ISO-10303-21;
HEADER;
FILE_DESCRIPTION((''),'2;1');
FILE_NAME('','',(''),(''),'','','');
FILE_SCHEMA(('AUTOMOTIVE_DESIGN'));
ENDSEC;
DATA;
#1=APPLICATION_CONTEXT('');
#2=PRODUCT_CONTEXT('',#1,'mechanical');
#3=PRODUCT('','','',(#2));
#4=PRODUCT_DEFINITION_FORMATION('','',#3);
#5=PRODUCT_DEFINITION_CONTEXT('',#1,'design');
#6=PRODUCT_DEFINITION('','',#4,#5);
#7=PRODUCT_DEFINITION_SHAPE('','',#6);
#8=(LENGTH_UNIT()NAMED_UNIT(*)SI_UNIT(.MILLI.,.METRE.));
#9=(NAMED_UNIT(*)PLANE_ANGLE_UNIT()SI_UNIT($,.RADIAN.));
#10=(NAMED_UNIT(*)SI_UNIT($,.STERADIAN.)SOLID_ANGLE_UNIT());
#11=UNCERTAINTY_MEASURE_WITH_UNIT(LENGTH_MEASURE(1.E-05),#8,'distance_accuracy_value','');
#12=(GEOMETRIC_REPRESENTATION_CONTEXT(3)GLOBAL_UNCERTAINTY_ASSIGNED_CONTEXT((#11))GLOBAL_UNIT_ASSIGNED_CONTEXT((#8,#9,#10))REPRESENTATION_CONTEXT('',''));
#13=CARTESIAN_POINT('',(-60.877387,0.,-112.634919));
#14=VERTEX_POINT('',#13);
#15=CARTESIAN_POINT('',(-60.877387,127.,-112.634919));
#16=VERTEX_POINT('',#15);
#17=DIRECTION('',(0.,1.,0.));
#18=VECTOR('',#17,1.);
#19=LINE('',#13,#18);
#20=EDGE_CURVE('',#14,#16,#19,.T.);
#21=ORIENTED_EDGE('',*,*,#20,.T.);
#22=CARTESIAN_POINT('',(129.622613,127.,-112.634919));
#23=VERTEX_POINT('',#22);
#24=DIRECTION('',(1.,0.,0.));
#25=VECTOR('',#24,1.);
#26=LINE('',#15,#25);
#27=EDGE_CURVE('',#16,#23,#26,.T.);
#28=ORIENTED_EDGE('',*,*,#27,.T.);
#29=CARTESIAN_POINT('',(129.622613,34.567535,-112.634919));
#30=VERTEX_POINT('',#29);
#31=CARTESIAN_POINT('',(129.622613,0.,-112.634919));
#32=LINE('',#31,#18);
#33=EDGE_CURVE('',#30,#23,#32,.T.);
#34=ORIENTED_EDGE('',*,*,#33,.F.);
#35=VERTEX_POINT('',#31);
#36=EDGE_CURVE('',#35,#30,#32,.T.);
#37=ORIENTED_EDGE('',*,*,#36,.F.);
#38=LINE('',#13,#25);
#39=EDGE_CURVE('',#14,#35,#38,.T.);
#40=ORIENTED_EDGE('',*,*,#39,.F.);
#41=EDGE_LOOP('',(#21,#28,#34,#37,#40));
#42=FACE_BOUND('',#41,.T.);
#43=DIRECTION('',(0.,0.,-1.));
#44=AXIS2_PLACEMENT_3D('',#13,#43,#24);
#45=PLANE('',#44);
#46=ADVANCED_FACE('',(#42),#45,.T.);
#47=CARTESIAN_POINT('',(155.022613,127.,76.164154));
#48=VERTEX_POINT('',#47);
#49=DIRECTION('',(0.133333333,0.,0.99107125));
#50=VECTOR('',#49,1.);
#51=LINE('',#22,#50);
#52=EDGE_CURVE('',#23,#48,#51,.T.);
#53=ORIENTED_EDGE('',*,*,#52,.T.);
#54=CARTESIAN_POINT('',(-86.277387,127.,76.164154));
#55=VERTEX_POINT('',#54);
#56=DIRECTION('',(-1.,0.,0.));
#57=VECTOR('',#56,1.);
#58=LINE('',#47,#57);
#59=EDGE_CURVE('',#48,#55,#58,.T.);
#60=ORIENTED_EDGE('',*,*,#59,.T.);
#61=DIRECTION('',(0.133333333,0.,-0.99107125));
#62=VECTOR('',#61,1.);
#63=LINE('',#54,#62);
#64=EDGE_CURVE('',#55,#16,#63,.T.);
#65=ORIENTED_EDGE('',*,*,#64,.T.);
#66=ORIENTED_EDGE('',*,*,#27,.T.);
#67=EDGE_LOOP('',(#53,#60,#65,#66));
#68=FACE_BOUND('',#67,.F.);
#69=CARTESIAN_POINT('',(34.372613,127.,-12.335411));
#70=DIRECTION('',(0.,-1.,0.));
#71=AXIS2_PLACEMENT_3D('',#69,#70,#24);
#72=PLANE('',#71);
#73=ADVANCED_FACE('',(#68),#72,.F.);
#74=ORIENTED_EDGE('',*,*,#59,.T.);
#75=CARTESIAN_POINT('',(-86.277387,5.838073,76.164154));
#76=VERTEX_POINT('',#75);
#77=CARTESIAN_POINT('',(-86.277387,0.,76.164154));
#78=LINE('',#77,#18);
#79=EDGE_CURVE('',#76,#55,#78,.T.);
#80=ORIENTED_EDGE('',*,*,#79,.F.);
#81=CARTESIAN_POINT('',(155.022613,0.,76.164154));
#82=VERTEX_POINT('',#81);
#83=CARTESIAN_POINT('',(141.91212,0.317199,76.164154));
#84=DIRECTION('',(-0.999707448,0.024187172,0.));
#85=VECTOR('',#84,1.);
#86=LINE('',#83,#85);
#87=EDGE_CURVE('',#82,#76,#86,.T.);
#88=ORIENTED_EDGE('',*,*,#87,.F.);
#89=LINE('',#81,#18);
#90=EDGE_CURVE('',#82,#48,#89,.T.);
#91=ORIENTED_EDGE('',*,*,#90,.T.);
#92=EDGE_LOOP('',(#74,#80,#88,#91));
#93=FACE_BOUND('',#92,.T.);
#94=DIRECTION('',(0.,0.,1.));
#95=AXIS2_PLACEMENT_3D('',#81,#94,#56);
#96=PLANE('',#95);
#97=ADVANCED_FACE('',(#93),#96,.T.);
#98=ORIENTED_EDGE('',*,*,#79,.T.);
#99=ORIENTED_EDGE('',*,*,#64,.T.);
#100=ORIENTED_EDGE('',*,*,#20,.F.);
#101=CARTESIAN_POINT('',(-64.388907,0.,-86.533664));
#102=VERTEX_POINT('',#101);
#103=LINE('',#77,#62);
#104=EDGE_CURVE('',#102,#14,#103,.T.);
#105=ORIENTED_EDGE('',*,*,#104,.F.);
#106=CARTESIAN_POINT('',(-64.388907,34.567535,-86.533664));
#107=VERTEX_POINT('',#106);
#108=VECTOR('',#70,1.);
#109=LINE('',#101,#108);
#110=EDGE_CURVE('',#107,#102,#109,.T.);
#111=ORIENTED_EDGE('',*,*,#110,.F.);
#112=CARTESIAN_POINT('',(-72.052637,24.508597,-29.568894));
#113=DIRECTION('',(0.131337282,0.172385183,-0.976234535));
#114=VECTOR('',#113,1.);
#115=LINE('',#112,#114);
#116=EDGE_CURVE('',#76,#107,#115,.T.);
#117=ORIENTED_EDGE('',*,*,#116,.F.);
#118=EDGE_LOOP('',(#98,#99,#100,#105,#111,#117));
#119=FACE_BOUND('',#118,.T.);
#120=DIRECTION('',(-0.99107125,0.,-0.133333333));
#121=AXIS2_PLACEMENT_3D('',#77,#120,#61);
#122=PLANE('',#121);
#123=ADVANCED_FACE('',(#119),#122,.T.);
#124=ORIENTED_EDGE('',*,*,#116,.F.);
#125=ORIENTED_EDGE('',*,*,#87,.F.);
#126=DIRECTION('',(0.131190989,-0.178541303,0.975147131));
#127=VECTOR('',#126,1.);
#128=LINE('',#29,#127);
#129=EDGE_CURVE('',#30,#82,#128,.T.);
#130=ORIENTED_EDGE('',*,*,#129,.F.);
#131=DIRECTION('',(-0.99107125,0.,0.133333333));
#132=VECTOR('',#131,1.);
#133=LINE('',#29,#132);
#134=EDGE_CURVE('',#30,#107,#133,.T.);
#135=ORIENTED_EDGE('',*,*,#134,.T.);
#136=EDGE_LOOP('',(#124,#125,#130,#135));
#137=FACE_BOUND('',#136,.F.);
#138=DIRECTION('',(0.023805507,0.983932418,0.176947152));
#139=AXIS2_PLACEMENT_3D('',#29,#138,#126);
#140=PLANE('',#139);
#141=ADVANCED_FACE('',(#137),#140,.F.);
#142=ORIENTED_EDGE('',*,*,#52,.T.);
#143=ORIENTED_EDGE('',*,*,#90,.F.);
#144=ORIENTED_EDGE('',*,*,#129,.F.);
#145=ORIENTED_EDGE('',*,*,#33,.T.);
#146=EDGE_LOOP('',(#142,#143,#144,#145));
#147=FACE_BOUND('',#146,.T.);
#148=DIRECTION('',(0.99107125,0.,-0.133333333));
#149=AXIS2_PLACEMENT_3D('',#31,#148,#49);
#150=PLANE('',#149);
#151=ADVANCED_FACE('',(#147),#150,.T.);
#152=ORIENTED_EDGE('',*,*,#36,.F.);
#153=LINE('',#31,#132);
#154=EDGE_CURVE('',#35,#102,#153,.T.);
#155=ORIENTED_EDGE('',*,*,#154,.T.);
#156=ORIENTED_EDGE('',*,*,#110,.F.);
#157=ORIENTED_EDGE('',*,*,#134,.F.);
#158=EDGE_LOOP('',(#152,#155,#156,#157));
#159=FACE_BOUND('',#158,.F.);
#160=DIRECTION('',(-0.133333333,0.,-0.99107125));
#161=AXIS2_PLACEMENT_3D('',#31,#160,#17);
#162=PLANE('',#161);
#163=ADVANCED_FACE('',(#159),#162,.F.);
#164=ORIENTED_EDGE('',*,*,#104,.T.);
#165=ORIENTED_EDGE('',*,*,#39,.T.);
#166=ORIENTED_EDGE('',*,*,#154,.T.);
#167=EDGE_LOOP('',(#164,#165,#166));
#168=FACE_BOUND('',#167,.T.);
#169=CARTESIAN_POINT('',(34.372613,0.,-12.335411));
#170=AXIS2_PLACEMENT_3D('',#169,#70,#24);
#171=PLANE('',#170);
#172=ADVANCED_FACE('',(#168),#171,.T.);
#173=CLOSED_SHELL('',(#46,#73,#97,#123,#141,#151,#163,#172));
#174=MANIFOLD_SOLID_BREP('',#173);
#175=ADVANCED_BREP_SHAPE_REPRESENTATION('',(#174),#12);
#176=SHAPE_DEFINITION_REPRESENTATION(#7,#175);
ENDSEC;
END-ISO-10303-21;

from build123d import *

# Parameters (mm, degrees)
F1_DEPTH = 127
F3_DEPTH = 241.3


with BuildPart() as f1:
    # F0 (on Front) → F1 (new body)
    with BuildSketch(Plane.XZ):
        Polygon((155.0226134762, 76.1641544679), (-86.2773865238, 76.1641544679), (-60.8773865238, -112.634918623), (129.6226134762, -112.634918623), align=None)
    extrude(amount=-F1_DEPTH)

    # F2 (on face) → F3 (cut)
    with BuildSketch(Plane(origin=(142.2021087352, 0, -19.131097959), x_dir=(0, 1, 0), z_dir=(0.9910712498, 0, -0.1333333333))):
        Polygon((34.5675349236, -94.3462144431), (0, 96.1537855569), (0, -94.3462144431), align=None)
    extrude(amount=-F3_DEPTH, mode=Mode.SUBTRACT)


solid = f1.part
